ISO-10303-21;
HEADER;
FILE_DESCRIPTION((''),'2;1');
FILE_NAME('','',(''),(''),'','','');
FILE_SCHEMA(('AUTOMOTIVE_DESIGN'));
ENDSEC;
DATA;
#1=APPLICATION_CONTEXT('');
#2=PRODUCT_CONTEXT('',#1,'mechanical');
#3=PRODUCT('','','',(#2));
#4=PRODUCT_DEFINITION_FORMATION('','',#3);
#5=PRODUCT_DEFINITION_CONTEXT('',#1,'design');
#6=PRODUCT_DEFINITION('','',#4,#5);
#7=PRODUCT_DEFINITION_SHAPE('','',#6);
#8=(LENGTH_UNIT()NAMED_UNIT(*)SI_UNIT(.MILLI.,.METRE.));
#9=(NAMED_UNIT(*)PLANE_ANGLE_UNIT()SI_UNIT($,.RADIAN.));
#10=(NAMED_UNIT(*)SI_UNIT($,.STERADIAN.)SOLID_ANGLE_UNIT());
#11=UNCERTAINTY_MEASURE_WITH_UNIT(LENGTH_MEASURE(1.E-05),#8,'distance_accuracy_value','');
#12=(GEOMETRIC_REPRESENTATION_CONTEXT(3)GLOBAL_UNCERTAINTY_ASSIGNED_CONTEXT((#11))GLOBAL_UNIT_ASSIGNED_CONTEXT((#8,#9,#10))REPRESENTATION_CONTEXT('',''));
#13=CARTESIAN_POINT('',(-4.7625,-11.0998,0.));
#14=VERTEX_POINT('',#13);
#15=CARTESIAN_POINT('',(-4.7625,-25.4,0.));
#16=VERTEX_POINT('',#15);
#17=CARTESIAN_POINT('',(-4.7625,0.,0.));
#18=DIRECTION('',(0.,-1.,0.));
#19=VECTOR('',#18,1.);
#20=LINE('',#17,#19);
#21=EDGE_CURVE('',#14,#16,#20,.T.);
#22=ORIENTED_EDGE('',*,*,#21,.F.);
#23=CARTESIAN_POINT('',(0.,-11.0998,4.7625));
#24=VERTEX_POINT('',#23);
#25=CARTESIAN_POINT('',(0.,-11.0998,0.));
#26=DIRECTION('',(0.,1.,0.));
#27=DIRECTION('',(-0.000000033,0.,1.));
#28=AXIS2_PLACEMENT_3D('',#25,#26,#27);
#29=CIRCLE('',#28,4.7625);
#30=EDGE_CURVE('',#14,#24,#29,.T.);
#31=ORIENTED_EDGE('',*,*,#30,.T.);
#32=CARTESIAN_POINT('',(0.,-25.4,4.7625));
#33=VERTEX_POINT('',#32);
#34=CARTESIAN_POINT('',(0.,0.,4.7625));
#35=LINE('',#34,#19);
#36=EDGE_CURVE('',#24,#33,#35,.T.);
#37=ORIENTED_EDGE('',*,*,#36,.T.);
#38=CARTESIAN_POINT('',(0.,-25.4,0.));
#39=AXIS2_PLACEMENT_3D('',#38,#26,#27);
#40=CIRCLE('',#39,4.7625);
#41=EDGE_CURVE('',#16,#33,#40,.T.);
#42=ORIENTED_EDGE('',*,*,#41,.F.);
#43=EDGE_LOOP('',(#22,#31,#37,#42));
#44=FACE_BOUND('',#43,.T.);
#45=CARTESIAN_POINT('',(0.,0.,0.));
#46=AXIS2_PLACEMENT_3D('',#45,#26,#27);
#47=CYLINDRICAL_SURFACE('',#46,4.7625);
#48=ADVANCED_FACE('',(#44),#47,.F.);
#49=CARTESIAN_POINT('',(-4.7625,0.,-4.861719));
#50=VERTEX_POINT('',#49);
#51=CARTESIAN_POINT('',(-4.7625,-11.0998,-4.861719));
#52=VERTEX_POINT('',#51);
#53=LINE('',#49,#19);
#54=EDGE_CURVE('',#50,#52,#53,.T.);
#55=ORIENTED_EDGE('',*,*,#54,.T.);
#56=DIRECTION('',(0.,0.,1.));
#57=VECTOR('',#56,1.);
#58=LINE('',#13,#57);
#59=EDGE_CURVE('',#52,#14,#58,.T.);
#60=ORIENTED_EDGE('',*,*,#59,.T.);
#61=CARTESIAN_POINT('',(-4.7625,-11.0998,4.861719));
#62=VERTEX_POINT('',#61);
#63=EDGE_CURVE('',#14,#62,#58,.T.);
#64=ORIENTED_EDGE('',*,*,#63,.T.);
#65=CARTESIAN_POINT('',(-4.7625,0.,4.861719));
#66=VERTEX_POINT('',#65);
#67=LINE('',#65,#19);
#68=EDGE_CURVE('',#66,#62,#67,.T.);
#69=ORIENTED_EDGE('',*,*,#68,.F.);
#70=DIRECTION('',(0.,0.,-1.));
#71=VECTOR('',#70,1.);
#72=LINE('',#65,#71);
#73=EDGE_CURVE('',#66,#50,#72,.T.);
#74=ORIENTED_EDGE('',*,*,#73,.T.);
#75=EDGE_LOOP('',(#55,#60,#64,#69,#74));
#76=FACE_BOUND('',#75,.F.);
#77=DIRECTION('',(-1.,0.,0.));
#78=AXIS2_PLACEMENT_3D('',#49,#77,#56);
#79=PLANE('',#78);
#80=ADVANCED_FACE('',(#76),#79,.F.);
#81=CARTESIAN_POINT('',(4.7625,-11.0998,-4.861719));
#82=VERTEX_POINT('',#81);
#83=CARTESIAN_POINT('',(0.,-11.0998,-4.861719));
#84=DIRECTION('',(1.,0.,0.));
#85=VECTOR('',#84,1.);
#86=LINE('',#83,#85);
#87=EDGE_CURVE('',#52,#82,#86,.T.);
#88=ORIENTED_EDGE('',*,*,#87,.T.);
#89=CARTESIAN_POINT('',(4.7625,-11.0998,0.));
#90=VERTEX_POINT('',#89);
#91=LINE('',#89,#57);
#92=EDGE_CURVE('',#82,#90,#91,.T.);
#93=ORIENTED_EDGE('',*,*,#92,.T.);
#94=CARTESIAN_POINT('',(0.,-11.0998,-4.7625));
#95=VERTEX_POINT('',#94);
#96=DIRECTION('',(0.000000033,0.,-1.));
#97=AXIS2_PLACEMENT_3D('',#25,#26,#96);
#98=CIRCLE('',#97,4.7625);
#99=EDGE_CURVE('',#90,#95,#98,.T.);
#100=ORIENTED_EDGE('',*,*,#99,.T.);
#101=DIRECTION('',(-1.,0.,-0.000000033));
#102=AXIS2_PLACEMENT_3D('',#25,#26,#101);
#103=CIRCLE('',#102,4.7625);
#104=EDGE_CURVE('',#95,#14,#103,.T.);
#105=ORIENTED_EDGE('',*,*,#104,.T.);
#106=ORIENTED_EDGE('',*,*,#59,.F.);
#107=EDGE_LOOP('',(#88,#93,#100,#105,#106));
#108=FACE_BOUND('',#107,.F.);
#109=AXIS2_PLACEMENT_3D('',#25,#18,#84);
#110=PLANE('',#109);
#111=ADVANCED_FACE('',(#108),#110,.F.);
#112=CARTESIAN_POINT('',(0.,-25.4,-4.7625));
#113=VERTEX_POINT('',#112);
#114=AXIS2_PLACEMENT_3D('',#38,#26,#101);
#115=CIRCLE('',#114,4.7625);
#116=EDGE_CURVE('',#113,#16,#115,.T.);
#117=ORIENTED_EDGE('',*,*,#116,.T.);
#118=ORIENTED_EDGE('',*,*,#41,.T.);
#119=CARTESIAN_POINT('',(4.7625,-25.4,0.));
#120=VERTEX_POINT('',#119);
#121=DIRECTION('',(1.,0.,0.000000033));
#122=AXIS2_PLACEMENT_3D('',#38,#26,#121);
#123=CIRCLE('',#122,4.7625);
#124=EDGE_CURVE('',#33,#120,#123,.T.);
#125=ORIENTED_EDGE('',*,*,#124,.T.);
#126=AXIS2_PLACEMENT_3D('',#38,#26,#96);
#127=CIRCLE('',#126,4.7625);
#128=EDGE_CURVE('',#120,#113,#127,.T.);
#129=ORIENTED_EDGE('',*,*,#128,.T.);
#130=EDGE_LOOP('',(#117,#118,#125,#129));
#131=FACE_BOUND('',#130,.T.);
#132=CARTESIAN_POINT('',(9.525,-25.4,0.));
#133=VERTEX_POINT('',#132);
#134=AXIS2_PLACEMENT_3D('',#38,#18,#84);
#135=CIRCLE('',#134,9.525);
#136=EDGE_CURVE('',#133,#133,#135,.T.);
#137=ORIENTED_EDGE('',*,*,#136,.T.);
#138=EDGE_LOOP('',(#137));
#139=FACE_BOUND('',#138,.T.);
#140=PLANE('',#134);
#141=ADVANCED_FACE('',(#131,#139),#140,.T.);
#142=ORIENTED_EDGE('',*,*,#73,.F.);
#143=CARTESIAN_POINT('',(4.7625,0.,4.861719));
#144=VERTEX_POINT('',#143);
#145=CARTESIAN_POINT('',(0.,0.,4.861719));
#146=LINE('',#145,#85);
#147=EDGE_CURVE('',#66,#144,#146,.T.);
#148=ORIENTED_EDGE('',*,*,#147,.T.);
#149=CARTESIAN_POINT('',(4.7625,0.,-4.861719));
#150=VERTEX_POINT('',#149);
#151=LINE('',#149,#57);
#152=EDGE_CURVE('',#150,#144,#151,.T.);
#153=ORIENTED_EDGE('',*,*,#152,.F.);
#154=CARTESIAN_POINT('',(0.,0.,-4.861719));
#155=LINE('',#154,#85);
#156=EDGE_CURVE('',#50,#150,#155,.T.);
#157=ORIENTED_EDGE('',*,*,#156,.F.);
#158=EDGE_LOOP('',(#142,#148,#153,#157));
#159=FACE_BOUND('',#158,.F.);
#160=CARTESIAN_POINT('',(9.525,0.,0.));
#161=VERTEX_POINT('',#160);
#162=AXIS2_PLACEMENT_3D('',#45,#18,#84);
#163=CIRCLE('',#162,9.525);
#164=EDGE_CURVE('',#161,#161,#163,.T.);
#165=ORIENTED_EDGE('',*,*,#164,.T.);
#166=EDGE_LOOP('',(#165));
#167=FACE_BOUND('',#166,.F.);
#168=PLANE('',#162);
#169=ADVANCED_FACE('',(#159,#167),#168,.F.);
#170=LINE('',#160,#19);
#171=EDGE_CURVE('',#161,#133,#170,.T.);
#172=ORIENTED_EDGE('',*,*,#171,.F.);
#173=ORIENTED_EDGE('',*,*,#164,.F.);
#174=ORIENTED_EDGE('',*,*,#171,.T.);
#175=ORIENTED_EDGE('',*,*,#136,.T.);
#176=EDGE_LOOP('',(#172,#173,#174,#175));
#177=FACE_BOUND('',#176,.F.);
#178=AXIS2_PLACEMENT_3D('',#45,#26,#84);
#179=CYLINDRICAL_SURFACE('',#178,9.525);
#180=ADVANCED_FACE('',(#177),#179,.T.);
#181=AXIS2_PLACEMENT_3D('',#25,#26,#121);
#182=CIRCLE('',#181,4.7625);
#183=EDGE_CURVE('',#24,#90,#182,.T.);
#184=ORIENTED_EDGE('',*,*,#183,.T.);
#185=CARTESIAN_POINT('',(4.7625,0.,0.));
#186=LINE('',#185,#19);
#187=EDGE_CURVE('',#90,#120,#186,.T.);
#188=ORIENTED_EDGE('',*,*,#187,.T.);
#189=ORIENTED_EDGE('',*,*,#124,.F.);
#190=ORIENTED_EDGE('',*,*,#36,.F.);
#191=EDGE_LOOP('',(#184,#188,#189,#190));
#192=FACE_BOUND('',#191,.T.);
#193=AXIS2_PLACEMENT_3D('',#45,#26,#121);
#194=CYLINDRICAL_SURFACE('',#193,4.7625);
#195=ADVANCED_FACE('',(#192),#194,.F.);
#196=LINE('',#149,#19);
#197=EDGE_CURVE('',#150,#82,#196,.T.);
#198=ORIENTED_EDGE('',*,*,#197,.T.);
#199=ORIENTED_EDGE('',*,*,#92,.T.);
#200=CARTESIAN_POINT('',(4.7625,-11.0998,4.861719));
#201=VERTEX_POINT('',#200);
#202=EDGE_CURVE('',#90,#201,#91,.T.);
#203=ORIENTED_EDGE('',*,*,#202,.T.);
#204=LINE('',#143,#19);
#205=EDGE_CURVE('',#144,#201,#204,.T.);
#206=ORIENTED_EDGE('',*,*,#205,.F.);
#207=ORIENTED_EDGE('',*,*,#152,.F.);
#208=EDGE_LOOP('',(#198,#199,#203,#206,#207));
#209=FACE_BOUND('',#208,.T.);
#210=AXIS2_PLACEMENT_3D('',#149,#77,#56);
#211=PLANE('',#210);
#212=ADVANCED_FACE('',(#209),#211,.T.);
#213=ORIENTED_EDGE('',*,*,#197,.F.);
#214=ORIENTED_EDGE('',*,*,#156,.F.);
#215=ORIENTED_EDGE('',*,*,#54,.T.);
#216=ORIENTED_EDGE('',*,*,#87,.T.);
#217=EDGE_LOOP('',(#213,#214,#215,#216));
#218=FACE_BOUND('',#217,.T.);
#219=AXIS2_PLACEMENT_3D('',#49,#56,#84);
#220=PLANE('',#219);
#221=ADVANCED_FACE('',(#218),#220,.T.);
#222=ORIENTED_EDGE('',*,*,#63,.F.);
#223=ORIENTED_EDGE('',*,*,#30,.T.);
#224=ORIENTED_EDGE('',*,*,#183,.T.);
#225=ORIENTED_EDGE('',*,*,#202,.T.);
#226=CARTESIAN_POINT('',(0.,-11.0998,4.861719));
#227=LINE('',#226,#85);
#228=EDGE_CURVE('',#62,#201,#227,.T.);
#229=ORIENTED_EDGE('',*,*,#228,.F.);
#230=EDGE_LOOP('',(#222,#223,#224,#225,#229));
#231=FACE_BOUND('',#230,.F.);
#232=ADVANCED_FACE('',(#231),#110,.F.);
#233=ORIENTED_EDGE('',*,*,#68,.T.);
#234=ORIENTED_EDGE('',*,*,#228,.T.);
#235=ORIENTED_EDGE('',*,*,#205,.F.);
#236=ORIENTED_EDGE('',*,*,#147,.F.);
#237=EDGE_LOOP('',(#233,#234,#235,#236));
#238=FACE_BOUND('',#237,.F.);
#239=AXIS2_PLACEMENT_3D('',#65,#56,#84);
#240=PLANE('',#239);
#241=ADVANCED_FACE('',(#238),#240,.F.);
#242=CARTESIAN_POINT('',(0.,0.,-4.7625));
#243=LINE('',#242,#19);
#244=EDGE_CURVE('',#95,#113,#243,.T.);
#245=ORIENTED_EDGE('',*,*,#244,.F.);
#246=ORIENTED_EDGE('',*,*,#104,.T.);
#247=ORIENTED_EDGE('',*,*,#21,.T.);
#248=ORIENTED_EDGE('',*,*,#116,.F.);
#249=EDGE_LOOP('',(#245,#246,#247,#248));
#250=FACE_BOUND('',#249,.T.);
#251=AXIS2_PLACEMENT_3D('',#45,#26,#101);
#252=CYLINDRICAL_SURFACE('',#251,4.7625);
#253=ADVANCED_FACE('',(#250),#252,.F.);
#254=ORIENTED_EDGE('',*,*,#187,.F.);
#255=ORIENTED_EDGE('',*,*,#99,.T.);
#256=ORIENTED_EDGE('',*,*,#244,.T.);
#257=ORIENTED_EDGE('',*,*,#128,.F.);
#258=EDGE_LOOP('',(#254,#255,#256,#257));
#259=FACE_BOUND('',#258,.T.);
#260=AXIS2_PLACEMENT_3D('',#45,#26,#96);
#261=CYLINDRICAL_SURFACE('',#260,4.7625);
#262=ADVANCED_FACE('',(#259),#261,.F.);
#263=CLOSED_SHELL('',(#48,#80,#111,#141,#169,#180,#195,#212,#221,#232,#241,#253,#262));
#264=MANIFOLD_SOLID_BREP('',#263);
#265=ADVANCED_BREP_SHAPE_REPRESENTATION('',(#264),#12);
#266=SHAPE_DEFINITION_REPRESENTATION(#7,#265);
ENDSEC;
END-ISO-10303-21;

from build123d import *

# Parameters (mm, degrees)
F0_R     = 9.525
F1_DEPTH = 25.4
F3_DEPTH = 25.401
F4_W     = 9.525
F4_H     = 9.723438
F5_DEPTH = 11.0998


with BuildPart() as f1:
    # F0 (on Front) → F1 (new body)
    with BuildSketch(Plane.XZ):
        Circle(F0_R)
    extrude(amount=F1_DEPTH)

    # F2 (on Front) → F3 (cut, through all)
    with BuildSketch(Plane.XZ):
        with BuildLine():
            ThreePointArc((4.7625, 0), (3.367596, 3.367596), (0, 4.7625))
            ThreePointArc((0, 4.7625), (-3.367596, 3.367596), (-4.7625, 0))
            ThreePointArc((-4.7625, 0), (-3.367596, -3.367596), (0, -4.7625))
            ThreePointArc((0, -4.7625), (3.367596, -3.367596), (4.7625, 0))
        make_face()
    extrude(amount=F3_DEPTH, mode=Mode.SUBTRACT)

    # F4 (on Front) → F5 (cut)
    with BuildSketch(Plane.XZ):
        Rectangle(F4_W, F4_H)
    extrude(amount=F5_DEPTH, mode=Mode.SUBTRACT)


solid = f1.part
